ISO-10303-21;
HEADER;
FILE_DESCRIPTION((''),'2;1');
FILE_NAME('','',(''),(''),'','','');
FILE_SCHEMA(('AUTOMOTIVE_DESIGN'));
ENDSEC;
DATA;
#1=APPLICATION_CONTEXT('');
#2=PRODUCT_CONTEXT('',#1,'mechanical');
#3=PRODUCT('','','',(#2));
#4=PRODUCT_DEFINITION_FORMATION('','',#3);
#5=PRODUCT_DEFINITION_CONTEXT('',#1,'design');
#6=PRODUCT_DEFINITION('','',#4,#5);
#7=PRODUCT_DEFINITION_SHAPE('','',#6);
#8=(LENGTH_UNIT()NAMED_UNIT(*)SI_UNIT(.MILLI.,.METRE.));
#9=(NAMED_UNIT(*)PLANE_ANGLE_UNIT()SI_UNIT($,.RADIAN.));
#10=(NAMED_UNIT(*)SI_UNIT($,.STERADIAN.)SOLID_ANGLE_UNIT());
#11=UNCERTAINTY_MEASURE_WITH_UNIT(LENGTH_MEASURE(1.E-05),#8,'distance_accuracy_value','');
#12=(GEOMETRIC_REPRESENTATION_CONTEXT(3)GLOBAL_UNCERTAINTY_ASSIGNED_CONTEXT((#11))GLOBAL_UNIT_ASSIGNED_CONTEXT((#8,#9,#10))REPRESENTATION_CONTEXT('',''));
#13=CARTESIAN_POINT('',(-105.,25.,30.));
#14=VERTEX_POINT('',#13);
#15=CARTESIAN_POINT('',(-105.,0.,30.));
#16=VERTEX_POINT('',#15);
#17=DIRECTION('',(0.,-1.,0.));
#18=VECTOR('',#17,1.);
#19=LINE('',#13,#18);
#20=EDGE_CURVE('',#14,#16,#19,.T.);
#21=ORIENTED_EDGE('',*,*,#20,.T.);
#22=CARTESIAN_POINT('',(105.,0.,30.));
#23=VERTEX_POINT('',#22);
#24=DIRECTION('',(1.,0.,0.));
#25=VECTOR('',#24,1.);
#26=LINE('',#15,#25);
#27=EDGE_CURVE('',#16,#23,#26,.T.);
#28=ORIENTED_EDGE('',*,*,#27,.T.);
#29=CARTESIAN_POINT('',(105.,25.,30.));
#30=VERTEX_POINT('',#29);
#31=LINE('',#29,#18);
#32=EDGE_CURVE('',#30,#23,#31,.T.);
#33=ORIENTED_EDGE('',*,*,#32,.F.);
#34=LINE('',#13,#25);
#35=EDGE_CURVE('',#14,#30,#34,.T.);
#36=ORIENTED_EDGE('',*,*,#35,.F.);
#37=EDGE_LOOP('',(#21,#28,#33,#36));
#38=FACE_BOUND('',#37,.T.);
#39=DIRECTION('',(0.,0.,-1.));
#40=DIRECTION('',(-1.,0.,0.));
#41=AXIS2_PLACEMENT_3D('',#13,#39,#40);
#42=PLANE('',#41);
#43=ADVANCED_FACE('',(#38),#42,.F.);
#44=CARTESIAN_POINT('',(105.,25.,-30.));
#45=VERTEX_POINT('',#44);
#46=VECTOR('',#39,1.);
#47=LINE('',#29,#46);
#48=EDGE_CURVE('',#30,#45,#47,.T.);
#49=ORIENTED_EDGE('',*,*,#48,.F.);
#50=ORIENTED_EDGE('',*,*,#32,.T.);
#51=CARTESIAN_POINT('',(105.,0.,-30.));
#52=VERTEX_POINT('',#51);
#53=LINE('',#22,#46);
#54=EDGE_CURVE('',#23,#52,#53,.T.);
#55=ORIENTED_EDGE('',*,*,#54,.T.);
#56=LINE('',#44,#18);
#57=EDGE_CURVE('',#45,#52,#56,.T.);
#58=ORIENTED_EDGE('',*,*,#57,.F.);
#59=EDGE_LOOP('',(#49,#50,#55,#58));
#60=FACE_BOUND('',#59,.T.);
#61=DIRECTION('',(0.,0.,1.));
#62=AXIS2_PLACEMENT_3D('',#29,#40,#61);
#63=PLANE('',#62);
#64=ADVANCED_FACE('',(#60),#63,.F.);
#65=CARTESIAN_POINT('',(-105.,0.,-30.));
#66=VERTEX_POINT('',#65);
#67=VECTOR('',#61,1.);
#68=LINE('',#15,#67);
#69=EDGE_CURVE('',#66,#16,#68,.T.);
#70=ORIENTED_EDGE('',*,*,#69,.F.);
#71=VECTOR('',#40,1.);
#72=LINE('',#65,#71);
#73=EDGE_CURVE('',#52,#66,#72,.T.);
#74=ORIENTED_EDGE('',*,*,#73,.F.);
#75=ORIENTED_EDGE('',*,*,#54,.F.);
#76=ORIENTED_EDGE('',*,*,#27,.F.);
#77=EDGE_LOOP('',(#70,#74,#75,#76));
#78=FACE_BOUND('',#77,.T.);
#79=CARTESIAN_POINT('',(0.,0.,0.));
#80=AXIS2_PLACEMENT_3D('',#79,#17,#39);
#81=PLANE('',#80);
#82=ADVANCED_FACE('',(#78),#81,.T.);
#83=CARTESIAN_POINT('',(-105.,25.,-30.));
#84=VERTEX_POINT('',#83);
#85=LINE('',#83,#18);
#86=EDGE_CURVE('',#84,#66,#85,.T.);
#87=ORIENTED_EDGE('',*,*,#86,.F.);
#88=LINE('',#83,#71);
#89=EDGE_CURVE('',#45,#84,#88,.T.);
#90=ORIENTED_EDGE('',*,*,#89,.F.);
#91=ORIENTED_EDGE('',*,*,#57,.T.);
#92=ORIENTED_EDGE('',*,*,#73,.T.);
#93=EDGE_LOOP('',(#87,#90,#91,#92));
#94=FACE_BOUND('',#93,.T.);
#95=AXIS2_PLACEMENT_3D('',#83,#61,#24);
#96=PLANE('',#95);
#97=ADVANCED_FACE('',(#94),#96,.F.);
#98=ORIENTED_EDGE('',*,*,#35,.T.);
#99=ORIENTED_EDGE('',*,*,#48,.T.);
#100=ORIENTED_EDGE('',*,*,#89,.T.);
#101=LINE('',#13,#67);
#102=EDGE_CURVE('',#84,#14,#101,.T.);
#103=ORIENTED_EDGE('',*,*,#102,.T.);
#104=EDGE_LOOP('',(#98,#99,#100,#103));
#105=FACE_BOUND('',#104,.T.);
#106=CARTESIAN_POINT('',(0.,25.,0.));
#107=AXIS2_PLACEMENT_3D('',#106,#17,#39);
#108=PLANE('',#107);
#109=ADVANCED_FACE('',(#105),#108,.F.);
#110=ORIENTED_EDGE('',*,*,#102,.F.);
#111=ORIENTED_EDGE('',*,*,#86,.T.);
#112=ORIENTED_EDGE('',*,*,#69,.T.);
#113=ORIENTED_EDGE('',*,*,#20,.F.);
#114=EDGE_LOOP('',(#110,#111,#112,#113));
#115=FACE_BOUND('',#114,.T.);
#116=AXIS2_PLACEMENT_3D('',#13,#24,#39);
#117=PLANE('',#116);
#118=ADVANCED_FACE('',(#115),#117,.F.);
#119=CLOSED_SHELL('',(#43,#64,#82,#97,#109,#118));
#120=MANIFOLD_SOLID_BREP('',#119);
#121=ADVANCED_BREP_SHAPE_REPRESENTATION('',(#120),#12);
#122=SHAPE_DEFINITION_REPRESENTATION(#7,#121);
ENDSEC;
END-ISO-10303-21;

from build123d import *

# Parameters (mm, degrees)
SKETCH1_W           = 210
SKETCH1_H           = 60
BOSS_EXTRUDE1_DEPTH = 25


with BuildPart() as part:
    # Sketch1 → Boss-Extrude1 (new body)
    with BuildSketch(Plane(origin=(0, 0, 0), x_dir=(1, 0, 0), z_dir=(0, 1, 0))):
        Rectangle(SKETCH1_W, SKETCH1_H)
    extrude(amount=BOSS_EXTRUDE1_DEPTH)


solid = part.part
